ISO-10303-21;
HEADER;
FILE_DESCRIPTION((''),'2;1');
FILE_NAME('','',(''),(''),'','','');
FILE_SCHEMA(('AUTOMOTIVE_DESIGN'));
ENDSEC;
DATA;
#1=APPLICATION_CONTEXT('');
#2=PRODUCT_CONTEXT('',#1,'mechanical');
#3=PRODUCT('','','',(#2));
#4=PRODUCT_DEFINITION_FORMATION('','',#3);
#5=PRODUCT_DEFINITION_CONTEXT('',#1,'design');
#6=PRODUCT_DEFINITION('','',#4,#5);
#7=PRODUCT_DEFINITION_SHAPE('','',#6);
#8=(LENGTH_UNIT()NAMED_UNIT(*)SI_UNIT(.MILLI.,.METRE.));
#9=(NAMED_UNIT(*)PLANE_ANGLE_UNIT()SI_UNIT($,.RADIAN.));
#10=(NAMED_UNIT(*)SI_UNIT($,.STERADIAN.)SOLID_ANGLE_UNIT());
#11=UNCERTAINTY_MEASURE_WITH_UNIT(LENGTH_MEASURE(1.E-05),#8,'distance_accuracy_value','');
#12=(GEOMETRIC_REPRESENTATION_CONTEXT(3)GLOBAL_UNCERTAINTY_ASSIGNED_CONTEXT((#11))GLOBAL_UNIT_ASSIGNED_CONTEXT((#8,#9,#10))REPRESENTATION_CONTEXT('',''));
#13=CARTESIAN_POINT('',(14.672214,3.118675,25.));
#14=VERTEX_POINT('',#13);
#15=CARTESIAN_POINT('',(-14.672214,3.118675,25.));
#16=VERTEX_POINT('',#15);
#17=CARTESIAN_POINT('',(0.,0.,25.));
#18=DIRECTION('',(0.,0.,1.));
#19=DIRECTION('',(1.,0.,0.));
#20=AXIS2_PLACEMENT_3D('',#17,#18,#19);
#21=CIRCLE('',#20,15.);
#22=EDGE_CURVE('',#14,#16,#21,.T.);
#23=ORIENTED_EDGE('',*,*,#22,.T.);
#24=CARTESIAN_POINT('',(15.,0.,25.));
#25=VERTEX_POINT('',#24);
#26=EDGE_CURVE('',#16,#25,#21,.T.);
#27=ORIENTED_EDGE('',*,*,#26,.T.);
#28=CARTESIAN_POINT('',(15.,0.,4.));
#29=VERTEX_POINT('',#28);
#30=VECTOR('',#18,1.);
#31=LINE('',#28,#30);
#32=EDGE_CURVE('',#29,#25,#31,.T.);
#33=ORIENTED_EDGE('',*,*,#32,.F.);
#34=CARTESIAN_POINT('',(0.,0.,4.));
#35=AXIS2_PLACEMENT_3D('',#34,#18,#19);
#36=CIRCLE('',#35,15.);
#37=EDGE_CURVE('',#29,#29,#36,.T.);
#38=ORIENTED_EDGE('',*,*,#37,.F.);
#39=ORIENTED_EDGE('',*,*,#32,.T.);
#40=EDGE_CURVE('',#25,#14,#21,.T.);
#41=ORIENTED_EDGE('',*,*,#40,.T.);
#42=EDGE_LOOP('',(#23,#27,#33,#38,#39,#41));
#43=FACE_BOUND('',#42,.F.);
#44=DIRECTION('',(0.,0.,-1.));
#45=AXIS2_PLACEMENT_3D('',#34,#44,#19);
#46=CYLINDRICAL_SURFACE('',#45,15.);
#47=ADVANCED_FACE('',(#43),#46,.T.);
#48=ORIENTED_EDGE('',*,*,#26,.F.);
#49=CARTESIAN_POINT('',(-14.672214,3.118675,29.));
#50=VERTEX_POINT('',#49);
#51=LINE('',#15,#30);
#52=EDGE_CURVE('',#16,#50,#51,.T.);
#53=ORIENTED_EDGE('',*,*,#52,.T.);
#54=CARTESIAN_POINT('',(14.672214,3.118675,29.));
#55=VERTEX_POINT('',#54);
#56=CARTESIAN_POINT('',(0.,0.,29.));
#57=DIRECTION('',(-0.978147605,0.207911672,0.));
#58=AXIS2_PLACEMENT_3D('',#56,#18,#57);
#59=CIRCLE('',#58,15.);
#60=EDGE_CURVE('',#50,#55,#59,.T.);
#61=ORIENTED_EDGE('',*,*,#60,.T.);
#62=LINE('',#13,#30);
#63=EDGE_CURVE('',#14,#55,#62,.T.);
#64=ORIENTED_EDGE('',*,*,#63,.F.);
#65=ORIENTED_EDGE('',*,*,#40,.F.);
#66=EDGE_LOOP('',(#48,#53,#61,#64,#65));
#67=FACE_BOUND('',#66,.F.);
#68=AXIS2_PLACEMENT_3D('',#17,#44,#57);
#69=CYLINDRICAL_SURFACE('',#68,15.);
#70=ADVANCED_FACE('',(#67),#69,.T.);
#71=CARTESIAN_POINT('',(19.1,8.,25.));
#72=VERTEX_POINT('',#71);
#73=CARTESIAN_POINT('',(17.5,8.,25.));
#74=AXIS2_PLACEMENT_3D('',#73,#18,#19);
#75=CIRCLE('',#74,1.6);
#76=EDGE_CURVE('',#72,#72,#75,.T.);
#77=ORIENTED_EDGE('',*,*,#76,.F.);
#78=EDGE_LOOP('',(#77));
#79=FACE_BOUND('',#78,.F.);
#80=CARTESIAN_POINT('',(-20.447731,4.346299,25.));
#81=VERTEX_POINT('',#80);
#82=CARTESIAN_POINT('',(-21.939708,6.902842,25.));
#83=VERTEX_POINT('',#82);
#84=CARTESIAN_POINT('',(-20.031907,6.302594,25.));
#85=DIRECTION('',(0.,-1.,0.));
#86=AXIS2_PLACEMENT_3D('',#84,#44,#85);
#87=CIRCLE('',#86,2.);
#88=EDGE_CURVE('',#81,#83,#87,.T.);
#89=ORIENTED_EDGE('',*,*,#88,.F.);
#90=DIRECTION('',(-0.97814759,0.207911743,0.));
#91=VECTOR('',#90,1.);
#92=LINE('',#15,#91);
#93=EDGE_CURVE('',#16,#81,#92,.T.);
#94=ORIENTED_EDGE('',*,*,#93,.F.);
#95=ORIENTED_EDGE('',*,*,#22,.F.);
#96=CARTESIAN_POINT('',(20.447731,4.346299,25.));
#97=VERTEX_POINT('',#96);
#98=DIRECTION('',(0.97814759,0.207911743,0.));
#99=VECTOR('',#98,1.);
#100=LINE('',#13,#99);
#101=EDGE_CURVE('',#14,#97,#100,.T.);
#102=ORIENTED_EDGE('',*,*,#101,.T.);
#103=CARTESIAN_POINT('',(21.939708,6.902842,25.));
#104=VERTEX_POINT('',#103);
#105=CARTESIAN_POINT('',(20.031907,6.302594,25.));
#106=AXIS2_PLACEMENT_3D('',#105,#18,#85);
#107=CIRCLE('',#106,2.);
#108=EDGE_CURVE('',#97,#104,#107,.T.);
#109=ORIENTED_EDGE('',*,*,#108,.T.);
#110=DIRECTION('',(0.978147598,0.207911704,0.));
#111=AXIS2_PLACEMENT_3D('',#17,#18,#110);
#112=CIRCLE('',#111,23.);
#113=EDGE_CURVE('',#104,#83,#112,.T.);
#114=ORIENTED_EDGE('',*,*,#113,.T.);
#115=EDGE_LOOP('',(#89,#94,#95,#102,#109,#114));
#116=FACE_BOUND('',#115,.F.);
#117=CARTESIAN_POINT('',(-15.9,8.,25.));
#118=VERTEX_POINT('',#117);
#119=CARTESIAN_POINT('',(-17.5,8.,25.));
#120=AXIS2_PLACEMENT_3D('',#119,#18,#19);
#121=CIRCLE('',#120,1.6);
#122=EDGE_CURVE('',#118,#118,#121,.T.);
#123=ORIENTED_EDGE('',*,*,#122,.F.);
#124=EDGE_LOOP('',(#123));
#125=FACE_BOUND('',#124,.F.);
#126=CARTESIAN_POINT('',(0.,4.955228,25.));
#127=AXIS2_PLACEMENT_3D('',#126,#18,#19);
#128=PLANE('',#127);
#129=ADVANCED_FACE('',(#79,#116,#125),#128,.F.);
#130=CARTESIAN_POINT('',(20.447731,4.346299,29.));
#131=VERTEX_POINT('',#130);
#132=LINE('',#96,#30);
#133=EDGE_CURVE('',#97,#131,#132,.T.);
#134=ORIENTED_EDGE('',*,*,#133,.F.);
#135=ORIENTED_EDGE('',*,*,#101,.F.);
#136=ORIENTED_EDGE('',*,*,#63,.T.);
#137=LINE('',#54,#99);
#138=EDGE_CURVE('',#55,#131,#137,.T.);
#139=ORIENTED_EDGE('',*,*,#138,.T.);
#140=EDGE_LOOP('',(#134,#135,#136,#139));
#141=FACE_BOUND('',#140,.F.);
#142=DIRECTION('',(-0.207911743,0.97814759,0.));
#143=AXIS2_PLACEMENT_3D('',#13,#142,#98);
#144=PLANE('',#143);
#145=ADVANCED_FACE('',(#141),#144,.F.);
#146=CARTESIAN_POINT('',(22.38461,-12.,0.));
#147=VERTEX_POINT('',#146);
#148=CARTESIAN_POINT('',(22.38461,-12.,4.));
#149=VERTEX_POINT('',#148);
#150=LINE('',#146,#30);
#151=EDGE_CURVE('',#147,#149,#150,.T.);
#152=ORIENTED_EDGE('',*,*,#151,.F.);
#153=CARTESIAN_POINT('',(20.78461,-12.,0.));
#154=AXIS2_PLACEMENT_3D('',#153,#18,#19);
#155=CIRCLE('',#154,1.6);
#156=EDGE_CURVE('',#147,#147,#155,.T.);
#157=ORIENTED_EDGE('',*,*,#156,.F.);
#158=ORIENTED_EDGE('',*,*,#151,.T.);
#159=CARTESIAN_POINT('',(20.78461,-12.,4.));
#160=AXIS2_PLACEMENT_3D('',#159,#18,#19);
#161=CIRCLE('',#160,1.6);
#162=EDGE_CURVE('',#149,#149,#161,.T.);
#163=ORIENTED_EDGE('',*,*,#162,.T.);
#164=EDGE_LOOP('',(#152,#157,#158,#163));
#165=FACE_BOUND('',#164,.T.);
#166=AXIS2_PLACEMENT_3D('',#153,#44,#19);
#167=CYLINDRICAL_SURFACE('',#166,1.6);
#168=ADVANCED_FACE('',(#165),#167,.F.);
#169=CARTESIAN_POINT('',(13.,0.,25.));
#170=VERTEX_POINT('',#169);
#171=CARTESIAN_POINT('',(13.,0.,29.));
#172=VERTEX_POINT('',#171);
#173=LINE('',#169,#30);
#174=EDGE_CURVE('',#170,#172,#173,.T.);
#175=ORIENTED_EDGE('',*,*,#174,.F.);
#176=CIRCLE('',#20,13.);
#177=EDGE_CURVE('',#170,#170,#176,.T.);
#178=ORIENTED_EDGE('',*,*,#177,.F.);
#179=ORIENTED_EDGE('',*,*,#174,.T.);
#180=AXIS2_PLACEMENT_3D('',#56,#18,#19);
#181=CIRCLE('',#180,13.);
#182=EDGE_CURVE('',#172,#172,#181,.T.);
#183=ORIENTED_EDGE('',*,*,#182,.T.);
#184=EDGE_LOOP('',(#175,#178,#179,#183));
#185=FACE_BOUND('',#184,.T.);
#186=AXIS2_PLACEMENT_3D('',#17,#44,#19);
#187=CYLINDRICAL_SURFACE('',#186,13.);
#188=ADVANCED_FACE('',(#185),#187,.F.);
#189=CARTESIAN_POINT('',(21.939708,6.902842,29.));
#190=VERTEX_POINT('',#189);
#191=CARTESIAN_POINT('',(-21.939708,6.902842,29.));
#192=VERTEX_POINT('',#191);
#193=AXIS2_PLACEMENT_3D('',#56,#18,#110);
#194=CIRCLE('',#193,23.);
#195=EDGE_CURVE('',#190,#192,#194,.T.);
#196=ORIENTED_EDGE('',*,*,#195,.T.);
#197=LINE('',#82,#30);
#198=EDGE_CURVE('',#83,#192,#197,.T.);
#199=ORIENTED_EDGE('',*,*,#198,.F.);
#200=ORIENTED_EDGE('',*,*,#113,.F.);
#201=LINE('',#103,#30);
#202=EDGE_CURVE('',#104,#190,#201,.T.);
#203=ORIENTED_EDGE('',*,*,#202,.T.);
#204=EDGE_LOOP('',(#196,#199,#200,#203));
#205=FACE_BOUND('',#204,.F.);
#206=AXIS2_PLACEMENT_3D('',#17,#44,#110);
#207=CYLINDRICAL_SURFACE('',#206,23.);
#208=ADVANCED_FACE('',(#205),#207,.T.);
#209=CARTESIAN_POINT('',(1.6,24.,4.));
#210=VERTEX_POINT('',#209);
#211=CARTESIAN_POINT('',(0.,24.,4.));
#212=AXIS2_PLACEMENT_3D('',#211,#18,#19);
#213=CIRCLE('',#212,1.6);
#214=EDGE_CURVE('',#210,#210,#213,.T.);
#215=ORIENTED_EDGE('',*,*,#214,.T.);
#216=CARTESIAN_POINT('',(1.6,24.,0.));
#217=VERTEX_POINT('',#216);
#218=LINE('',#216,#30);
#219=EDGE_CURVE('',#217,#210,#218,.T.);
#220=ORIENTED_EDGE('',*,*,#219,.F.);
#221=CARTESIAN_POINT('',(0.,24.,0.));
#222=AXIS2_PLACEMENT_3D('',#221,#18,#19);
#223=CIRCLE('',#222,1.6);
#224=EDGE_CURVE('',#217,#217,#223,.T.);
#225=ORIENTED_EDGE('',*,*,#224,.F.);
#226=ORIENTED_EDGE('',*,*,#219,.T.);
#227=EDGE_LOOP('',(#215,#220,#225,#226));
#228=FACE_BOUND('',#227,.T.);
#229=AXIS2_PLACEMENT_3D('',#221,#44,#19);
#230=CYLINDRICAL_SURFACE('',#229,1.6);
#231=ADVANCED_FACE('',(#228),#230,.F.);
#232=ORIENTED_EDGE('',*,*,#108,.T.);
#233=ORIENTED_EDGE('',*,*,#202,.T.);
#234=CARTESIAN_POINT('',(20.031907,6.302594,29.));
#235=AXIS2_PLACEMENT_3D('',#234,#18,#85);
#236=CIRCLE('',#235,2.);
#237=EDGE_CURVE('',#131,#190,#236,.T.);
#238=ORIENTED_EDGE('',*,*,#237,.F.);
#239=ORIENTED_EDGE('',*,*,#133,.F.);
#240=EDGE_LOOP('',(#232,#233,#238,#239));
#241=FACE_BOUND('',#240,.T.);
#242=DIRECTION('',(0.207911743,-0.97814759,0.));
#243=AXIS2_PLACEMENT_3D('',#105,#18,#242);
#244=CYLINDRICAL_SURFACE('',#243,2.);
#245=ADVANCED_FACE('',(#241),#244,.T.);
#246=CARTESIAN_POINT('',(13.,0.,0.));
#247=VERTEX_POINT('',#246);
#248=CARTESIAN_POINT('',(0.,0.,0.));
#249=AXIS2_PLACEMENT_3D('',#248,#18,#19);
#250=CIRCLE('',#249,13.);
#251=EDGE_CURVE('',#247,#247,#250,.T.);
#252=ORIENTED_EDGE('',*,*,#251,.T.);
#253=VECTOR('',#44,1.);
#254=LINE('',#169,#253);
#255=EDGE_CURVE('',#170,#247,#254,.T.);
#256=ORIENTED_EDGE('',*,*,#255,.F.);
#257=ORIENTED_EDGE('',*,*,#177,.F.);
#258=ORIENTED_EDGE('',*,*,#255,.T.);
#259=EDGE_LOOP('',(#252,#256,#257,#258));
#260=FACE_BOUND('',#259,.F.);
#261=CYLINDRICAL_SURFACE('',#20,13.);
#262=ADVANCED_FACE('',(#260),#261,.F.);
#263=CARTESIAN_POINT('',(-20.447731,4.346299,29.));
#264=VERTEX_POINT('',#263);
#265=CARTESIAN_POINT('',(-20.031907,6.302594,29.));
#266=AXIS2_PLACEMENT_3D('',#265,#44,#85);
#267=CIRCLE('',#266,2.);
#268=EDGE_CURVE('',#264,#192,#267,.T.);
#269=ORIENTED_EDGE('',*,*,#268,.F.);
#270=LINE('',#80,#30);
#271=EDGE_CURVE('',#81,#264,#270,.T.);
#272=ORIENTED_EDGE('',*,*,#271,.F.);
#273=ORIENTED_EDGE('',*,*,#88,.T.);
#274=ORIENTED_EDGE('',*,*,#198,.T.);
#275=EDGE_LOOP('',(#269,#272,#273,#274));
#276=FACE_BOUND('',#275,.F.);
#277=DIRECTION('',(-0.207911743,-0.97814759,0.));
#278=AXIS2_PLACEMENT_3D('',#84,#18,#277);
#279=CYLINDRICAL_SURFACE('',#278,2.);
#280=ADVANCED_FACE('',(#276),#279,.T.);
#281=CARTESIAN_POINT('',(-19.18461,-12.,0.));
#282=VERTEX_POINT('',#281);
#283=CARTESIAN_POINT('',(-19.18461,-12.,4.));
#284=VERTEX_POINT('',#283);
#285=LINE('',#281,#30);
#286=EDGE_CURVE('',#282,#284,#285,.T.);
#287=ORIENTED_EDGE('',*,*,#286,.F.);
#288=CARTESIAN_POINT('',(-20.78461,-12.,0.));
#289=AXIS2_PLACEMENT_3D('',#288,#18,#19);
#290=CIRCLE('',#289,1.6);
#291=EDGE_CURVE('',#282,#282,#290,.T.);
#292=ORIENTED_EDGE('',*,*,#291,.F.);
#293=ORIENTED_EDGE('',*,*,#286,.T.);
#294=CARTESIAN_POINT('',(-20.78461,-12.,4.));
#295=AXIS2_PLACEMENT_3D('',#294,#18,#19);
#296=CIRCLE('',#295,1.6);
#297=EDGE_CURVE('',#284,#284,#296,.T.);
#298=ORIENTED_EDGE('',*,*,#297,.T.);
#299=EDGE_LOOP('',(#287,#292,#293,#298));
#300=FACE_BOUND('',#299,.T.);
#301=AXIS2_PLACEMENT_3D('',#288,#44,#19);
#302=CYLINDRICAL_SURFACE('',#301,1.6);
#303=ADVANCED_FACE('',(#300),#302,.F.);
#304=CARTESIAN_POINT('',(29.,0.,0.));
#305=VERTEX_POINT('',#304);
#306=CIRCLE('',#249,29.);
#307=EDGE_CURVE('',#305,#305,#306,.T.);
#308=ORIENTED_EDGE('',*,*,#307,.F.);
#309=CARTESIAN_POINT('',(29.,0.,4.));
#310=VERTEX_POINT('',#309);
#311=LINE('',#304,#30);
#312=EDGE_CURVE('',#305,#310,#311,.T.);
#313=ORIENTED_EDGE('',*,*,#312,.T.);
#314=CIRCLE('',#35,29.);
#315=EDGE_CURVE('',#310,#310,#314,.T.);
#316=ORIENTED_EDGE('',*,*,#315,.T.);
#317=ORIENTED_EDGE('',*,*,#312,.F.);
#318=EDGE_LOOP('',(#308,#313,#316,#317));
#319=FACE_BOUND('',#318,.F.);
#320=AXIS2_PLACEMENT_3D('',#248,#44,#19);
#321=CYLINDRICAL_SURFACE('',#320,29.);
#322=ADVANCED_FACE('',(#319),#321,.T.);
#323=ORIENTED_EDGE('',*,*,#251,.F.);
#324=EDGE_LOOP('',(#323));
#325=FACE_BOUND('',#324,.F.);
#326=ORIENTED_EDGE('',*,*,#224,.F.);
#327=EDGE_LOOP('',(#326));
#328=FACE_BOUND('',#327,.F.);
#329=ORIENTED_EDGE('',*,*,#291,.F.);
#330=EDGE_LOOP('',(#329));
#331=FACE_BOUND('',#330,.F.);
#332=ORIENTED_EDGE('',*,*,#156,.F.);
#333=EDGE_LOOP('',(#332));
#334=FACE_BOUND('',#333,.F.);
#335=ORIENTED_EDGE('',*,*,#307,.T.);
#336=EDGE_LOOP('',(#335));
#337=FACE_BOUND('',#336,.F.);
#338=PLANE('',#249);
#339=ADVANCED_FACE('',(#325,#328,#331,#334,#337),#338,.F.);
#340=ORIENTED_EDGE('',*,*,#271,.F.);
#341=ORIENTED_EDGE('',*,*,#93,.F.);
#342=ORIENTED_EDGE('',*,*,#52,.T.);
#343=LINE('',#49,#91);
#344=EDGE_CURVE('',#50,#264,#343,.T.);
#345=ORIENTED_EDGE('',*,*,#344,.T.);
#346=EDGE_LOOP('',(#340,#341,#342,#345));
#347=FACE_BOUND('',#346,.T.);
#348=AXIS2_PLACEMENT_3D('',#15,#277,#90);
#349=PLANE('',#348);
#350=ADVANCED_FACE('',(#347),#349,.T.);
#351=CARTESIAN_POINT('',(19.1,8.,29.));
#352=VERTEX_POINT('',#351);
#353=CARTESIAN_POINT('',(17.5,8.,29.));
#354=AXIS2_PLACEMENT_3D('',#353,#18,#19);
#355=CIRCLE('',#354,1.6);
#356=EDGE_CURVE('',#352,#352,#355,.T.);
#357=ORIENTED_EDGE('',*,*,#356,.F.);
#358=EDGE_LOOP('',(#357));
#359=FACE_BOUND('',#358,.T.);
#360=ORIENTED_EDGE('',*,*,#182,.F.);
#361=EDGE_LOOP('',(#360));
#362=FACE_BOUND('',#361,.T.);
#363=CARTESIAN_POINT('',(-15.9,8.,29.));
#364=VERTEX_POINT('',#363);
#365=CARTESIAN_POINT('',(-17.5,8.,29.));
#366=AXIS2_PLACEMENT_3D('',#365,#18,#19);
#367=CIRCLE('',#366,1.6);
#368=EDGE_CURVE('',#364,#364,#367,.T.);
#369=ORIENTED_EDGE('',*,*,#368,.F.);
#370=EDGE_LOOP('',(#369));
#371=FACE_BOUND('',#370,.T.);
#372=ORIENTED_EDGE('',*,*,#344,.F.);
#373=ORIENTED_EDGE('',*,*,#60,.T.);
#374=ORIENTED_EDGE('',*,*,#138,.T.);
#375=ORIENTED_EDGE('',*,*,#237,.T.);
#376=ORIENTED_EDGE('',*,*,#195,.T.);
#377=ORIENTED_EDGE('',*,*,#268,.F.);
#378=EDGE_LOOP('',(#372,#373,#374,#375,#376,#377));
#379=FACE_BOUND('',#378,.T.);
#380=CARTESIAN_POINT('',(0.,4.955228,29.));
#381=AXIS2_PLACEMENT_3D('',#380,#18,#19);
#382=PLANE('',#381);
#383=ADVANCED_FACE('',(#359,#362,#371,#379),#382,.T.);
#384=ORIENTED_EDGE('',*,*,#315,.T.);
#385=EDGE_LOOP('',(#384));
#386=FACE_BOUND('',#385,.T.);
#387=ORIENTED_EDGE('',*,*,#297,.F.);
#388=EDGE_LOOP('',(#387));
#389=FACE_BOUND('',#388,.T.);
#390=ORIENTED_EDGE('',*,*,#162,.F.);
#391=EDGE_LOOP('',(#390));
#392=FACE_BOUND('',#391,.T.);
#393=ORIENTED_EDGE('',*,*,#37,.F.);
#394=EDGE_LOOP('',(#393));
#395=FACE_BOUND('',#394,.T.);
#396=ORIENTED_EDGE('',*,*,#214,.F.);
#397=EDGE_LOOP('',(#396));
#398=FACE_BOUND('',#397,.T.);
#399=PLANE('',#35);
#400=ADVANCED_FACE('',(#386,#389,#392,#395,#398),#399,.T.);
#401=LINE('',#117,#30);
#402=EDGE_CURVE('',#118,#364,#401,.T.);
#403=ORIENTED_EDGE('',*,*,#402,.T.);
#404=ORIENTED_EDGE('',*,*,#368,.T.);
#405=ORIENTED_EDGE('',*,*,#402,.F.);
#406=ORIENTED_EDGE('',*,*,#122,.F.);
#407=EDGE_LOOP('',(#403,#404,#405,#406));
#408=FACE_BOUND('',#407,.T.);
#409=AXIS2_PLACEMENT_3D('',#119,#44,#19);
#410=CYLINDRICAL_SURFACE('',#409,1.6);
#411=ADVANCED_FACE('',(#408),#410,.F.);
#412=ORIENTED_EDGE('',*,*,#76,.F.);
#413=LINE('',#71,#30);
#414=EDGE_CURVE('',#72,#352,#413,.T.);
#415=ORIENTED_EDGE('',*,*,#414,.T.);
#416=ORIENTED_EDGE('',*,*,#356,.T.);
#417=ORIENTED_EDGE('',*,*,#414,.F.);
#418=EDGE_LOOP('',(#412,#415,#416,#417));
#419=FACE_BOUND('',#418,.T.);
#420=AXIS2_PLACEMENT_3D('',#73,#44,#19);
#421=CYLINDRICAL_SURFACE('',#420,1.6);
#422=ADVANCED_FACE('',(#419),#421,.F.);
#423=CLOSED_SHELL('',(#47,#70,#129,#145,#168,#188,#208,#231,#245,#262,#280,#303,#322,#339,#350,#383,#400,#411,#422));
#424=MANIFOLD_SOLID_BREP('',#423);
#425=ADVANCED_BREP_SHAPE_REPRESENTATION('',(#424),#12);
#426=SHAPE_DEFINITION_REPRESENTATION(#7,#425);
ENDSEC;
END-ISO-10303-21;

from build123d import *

# Parameters (mm, degrees)
SKETCH_R      = 29
SKETCH_R_2    = 1.6
PAD_DEPTH     = 4
SKETCH001_R   = 15
PAD001_DEPTH  = 21
SKETCH002_R   = 13
POCKET_DEPTH  = 40
SKETCH003_R   = 13
SKETCH003_R_2 = 1.6
PAD002_DEPTH  = 4
FILLET_R      = 2


with BuildPart() as part:
    # Sketch → Pad (new body)
    with BuildSketch(Plane.XY):
        Circle(SKETCH_R)
        with Locations((0, 24)):
            Circle(SKETCH_R_2, mode=Mode.SUBTRACT)
        with Locations((20.78461, -12)):
            Circle(SKETCH_R_2, mode=Mode.SUBTRACT)
        with Locations((-20.78461, -12)):
            Circle(SKETCH_R_2, mode=Mode.SUBTRACT)
    extrude(amount=PAD_DEPTH)

    # Sketch001 (on Face6 of Pad) → Pad001 (join)
    with BuildSketch(Plane.XY.offset(4)):
        Circle(SKETCH001_R)
    extrude(amount=PAD001_DEPTH)

    # Sketch002 (on Face8 of Pad001) → Pocket (cut)
    with BuildSketch(Plane.XY.offset(25)):
        Circle(SKETCH002_R)
    extrude(amount=-POCKET_DEPTH, mode=Mode.SUBTRACT)

    # Sketch003 (on Face9 of Pocket) → Pad002 (join)
    with BuildSketch(Plane.XY.offset(25)):
        with BuildLine():
            ThreePointArc((-14.672214, 3.118675), (0, -15), (14.672214, 3.118675))
            Line((14.672214, 3.118675), (22.497395, 4.781969))
            ThreePointArc((22.497395, 4.781969), (0, 23), (-22.497395, 4.781969))
            Line((-14.672214, 3.118675), (-22.497395, 4.781969))
        make_face()
        Circle(SKETCH003_R, mode=Mode.SUBTRACT)
        with Locations((-17.5, 8)):
            Circle(SKETCH003_R_2, mode=Mode.SUBTRACT)
        with Locations((17.5, 8)):
            Circle(SKETCH003_R_2, mode=Mode.SUBTRACT)
    extrude(amount=PAD002_DEPTH)

    # Fillet
    fillet_edges = [part.edges().sort_by_distance(p)[0] for p in [
        (22.497395, 4.781969, 27),
        (-22.497395, 4.781969, 27),
    ]]
    fillet(fillet_edges, radius=FILLET_R)


solid = part.part
